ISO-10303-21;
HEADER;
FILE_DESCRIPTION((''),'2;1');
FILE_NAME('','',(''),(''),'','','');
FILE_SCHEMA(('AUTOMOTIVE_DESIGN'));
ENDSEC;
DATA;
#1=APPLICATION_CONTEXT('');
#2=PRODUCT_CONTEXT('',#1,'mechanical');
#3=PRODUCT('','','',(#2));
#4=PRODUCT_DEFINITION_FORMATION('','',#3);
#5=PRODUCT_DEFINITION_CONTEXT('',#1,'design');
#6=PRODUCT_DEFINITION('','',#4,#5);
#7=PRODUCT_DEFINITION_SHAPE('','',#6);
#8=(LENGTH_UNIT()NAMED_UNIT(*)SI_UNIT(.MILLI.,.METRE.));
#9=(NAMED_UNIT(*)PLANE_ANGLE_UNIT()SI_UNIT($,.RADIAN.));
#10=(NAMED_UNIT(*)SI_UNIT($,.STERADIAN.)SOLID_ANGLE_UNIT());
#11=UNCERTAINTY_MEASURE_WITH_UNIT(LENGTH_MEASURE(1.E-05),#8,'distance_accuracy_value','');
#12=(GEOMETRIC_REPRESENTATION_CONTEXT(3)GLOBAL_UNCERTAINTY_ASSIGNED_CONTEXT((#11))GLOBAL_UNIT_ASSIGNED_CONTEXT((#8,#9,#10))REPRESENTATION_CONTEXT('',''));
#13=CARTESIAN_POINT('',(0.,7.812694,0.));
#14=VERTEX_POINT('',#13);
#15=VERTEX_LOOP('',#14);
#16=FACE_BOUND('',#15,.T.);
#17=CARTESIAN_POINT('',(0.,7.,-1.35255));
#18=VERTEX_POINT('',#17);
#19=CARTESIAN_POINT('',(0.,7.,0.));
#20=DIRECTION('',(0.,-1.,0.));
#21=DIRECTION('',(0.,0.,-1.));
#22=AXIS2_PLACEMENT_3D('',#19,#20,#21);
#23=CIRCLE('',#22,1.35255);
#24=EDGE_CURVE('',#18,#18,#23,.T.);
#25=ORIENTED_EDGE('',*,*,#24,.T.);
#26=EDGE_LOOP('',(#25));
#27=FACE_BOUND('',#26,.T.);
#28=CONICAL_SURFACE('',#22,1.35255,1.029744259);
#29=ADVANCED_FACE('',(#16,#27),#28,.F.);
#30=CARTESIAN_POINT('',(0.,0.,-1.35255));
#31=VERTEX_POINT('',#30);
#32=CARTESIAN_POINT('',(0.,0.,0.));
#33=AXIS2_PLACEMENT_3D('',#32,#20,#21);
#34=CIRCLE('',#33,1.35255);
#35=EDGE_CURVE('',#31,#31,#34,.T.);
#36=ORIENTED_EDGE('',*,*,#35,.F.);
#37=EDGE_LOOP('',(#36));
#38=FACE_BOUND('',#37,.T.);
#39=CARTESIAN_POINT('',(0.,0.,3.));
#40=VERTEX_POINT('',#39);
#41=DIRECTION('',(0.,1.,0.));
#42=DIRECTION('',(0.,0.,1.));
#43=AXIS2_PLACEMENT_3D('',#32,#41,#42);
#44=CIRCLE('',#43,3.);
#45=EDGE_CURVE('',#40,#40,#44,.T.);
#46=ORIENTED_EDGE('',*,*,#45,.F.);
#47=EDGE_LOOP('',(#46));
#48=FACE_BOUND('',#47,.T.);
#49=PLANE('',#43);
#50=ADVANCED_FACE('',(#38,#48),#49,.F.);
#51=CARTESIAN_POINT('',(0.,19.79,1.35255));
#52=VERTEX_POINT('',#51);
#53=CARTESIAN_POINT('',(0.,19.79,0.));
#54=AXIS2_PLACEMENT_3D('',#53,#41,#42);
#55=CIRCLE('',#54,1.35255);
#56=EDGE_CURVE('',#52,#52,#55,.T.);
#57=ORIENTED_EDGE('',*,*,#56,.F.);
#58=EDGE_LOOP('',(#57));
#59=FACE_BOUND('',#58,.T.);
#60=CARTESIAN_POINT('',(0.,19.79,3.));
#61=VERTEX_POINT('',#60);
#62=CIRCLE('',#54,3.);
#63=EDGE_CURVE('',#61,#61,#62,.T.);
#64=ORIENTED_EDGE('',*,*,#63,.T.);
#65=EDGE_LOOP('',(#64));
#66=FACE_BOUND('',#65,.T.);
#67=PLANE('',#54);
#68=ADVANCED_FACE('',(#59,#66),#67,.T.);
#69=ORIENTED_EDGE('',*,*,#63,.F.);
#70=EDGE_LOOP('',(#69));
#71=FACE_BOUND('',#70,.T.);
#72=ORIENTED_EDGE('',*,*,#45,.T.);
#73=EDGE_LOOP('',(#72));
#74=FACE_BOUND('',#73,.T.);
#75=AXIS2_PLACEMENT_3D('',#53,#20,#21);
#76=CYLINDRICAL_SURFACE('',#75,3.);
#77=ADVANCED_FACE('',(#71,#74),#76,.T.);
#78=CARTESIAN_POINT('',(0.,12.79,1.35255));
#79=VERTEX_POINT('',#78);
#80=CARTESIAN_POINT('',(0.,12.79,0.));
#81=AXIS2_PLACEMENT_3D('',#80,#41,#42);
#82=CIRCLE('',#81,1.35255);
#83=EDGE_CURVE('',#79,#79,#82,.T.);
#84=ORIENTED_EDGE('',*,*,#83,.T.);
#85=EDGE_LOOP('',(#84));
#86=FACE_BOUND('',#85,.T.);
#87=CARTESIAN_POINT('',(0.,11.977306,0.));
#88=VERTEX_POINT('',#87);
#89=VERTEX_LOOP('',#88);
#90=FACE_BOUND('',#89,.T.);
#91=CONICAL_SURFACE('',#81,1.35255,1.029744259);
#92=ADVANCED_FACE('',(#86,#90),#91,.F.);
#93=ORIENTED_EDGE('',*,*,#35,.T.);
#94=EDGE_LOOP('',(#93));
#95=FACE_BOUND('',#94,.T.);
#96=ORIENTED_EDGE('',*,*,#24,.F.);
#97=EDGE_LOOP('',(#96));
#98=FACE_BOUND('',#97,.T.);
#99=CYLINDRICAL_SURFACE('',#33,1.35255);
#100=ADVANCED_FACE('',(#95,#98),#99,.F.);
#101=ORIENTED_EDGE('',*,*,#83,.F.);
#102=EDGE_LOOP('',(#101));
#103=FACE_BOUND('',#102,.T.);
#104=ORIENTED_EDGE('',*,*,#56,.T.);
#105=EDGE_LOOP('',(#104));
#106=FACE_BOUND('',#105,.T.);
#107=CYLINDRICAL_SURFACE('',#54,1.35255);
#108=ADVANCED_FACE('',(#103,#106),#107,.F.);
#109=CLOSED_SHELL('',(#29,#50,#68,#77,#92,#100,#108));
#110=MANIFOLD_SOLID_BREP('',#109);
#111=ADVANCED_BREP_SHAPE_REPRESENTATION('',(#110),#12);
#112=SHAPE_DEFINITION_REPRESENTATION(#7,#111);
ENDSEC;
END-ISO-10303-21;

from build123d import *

# Parameters (mm, degrees)
SKETCH1_R                 = 3
BOSS_EXTRUDE1_DEPTH       = 19.79
F_6_32_TAPPED_HOLE1_D     = 2.7051
F_6_32_TAPPED_HOLE1_DEPTH = 7
F_6_32_TAPPED_HOLE1_TIP   = 0.81269403
F_6_32_TAPPED_HOLE2_D     = 2.7051
F_6_32_TAPPED_HOLE2_DEPTH = 7
F_6_32_TAPPED_HOLE2_TIP   = 0.81269403


with BuildPart() as part:
    # Sketch1 → Boss-Extrude1 (new body)
    with BuildSketch(Plane(origin=(0, 0, 0), x_dir=(1, 0, 0), z_dir=(0, 1, 0))):
        with Locations(Location((0, 0, 0), (0, 0, 270))):
            Circle(SKETCH1_R)
    extrude(amount=BOSS_EXTRUDE1_DEPTH)

    # #6-32 Tapped Hole1
    with Locations(Plane(origin=(0, 19.79, 0), x_dir=(1, 0, 0), z_dir=(0, 1, 0))):
        with Locations((0, 0)):
            Hole(F_6_32_TAPPED_HOLE1_D / 2, depth=F_6_32_TAPPED_HOLE1_DEPTH)
            with Locations((0, 0, -(F_6_32_TAPPED_HOLE1_DEPTH + F_6_32_TAPPED_HOLE1_TIP / 2))):  # 118° drill point
                Cone(0, F_6_32_TAPPED_HOLE1_D / 2, F_6_32_TAPPED_HOLE1_TIP, mode=Mode.SUBTRACT)

    # #6-32 Tapped Hole2
    with Locations(Plane(origin=(0, 0, 0), x_dir=(-1, 0, 0), z_dir=(0, -1, 0))):
        with Locations((0, 0)):
            Hole(F_6_32_TAPPED_HOLE2_D / 2, depth=F_6_32_TAPPED_HOLE2_DEPTH)
            with Locations((0, 0, -(F_6_32_TAPPED_HOLE2_DEPTH + F_6_32_TAPPED_HOLE2_TIP / 2))):  # 118° drill point
                Cone(0, F_6_32_TAPPED_HOLE2_D / 2, F_6_32_TAPPED_HOLE2_TIP, mode=Mode.SUBTRACT)


solid = part.part
